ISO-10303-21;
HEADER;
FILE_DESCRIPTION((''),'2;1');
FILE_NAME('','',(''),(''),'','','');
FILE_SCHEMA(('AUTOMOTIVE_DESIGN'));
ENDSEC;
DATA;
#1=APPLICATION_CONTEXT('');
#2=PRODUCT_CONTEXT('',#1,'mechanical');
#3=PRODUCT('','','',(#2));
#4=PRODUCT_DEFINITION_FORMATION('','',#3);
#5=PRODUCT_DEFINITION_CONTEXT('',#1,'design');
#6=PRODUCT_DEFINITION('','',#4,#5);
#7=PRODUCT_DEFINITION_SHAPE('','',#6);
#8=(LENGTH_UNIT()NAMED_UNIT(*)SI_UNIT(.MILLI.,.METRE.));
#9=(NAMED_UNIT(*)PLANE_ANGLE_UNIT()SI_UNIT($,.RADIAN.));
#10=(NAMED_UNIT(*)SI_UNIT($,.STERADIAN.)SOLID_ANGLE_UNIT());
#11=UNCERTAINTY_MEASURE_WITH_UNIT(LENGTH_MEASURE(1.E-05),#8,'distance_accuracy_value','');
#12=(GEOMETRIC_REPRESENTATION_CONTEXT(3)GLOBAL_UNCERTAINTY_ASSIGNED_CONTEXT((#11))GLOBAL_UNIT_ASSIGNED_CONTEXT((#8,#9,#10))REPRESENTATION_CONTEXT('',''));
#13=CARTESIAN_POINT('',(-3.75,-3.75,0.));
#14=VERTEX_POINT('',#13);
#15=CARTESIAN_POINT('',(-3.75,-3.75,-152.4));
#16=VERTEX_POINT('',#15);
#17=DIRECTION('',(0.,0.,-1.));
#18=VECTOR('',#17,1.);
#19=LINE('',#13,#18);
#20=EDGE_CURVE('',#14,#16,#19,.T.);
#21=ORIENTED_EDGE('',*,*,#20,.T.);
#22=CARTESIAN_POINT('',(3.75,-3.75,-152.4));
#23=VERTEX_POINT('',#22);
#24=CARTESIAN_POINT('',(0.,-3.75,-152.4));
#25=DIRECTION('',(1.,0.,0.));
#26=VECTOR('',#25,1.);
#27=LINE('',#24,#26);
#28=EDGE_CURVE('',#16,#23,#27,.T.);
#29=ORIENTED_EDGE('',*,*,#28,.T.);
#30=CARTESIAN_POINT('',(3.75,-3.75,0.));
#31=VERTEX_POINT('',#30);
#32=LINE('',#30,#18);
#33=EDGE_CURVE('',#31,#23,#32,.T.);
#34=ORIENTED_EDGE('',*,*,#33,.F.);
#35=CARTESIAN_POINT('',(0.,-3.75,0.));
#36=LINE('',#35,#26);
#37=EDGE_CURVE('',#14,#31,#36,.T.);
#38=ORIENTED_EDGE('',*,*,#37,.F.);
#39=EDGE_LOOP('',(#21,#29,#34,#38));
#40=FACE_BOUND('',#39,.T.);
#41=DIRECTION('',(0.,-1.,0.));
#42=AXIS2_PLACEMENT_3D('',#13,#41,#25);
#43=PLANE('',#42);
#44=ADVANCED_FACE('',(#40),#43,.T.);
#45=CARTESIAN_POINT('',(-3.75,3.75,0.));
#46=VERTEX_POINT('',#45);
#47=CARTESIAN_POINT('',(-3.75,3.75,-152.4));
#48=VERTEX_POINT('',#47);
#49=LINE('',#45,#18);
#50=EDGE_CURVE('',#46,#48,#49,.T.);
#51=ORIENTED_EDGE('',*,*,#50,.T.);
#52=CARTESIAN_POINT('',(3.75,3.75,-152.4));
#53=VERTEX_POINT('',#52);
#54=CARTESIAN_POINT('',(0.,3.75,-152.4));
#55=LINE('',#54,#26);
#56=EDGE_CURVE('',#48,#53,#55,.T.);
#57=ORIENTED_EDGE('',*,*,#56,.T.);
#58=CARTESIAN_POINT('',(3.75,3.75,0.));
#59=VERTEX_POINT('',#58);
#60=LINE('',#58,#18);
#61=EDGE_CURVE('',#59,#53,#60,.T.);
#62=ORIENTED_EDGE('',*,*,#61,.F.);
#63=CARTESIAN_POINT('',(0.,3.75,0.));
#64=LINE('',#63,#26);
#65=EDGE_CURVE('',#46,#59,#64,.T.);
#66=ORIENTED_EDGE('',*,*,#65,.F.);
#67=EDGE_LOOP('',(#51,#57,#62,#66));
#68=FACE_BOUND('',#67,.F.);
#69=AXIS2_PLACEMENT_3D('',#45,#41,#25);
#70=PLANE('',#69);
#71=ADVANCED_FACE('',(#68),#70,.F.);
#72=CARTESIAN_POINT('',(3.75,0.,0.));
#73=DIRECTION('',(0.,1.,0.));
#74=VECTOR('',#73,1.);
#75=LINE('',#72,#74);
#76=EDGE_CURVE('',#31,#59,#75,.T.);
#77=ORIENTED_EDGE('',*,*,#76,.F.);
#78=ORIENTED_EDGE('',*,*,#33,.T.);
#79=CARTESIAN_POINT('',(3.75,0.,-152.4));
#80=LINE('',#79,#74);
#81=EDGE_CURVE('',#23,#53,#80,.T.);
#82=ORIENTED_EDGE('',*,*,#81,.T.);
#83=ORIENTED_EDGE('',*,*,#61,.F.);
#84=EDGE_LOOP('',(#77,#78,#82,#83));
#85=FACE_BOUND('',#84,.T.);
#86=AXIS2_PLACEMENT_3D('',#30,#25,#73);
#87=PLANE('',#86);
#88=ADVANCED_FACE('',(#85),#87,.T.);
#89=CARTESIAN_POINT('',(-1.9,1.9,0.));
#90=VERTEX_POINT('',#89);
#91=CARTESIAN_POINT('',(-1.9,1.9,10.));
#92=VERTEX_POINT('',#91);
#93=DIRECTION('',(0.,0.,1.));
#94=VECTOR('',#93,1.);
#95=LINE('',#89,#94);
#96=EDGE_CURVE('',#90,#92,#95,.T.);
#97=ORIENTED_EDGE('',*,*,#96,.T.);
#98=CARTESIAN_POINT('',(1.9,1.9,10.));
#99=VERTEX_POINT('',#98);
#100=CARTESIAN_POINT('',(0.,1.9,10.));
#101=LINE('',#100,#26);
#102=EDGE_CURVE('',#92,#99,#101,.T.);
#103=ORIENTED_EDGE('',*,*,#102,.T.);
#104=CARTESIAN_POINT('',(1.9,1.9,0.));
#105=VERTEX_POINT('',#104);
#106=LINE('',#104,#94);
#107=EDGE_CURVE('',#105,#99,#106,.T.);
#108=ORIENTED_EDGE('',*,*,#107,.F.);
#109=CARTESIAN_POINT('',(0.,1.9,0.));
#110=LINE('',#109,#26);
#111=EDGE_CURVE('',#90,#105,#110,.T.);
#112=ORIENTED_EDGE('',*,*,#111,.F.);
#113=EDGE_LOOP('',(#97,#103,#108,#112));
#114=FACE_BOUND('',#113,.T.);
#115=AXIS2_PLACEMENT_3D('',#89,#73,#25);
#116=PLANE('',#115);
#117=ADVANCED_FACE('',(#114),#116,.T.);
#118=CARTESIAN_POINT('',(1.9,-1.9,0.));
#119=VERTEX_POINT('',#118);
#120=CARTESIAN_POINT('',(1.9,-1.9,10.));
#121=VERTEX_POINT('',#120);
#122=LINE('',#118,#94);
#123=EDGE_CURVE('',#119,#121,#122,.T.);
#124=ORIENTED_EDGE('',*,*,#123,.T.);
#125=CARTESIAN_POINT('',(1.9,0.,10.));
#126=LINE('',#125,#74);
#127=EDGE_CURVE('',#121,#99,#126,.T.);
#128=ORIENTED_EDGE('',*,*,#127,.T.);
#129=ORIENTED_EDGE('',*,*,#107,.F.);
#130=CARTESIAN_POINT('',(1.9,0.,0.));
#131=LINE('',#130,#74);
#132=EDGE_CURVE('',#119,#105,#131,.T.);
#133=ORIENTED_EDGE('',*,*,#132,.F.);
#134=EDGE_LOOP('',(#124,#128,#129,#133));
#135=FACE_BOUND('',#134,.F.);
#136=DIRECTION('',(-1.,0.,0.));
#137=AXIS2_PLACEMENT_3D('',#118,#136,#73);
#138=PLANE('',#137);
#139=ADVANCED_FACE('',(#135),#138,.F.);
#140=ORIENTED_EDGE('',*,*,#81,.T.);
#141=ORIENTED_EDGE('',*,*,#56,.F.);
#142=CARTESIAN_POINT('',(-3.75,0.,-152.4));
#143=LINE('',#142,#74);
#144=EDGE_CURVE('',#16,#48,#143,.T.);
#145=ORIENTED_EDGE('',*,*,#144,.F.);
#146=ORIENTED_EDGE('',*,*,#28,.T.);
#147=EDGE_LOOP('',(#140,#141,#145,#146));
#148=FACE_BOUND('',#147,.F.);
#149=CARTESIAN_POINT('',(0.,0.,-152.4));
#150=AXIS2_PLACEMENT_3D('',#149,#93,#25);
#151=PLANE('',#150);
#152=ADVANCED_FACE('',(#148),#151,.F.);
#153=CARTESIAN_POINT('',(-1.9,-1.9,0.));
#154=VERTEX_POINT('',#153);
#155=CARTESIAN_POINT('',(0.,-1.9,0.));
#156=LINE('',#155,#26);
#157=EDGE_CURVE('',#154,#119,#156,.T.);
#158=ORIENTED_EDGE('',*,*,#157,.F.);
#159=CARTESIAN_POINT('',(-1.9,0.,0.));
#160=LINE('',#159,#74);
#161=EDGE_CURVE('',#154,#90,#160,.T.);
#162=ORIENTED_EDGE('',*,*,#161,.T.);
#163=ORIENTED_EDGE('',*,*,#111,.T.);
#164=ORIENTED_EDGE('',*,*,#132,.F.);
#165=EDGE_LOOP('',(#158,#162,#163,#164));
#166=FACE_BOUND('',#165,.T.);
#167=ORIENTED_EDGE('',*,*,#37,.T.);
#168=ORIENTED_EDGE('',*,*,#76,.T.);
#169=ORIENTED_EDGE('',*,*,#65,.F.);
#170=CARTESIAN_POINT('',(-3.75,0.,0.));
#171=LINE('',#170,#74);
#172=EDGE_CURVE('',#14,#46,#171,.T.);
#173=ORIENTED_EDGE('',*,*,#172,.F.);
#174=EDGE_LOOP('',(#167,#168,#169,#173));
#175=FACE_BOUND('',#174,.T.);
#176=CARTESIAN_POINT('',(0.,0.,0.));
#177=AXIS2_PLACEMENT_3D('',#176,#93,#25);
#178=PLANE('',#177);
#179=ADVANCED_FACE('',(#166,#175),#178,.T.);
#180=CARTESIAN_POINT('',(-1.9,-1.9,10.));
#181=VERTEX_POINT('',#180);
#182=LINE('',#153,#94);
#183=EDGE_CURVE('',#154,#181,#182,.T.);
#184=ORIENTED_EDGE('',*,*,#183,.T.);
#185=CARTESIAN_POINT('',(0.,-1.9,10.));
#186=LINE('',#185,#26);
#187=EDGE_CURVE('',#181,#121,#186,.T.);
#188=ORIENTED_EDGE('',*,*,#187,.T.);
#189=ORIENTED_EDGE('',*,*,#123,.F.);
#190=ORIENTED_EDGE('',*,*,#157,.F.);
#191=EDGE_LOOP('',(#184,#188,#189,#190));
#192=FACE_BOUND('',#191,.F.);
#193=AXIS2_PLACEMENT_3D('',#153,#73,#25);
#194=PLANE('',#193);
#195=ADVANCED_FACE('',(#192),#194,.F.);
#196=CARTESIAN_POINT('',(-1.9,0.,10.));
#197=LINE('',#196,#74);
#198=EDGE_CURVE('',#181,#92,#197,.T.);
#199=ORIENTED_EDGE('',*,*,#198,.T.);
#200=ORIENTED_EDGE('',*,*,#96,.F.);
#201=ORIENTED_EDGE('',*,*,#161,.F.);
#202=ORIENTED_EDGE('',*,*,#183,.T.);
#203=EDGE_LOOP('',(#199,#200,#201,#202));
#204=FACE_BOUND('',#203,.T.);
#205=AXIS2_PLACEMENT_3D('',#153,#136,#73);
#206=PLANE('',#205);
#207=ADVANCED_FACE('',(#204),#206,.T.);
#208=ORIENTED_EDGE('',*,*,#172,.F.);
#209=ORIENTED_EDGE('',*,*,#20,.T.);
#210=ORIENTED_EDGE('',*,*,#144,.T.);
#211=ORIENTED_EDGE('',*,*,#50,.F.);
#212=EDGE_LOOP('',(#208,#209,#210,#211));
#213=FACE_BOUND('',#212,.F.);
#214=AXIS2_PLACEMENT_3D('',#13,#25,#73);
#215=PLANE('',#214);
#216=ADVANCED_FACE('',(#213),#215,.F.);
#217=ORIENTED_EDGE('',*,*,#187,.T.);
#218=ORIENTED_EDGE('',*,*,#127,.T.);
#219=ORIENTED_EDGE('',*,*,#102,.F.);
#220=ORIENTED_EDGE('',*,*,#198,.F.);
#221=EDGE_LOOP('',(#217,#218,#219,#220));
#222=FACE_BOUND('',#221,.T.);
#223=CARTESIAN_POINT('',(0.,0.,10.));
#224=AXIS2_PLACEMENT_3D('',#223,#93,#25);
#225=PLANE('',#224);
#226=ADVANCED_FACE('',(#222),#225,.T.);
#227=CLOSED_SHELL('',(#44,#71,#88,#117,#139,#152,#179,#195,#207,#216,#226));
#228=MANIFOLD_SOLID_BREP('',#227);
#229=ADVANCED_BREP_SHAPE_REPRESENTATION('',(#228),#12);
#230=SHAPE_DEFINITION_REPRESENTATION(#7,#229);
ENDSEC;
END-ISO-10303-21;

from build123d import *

# Parameters (mm, degrees)
F0_W     = 7.5
F0_H     = 7.5
F1_DEPTH = 152.4
F2_W     = 3.8
F2_H     = 3.8
F3_DEPTH = 10


with BuildPart() as f1:
    # F0 (on Top) → F1 (new body)
    with BuildSketch(Plane.XY):
        Rectangle(F0_W, F0_H)
    extrude(amount=-F1_DEPTH)

    # F2 (on face) → F3 (join)
    with BuildSketch(Plane.XY):
        Rectangle(F2_W, F2_H)
    extrude(amount=F3_DEPTH)


solid = f1.part
